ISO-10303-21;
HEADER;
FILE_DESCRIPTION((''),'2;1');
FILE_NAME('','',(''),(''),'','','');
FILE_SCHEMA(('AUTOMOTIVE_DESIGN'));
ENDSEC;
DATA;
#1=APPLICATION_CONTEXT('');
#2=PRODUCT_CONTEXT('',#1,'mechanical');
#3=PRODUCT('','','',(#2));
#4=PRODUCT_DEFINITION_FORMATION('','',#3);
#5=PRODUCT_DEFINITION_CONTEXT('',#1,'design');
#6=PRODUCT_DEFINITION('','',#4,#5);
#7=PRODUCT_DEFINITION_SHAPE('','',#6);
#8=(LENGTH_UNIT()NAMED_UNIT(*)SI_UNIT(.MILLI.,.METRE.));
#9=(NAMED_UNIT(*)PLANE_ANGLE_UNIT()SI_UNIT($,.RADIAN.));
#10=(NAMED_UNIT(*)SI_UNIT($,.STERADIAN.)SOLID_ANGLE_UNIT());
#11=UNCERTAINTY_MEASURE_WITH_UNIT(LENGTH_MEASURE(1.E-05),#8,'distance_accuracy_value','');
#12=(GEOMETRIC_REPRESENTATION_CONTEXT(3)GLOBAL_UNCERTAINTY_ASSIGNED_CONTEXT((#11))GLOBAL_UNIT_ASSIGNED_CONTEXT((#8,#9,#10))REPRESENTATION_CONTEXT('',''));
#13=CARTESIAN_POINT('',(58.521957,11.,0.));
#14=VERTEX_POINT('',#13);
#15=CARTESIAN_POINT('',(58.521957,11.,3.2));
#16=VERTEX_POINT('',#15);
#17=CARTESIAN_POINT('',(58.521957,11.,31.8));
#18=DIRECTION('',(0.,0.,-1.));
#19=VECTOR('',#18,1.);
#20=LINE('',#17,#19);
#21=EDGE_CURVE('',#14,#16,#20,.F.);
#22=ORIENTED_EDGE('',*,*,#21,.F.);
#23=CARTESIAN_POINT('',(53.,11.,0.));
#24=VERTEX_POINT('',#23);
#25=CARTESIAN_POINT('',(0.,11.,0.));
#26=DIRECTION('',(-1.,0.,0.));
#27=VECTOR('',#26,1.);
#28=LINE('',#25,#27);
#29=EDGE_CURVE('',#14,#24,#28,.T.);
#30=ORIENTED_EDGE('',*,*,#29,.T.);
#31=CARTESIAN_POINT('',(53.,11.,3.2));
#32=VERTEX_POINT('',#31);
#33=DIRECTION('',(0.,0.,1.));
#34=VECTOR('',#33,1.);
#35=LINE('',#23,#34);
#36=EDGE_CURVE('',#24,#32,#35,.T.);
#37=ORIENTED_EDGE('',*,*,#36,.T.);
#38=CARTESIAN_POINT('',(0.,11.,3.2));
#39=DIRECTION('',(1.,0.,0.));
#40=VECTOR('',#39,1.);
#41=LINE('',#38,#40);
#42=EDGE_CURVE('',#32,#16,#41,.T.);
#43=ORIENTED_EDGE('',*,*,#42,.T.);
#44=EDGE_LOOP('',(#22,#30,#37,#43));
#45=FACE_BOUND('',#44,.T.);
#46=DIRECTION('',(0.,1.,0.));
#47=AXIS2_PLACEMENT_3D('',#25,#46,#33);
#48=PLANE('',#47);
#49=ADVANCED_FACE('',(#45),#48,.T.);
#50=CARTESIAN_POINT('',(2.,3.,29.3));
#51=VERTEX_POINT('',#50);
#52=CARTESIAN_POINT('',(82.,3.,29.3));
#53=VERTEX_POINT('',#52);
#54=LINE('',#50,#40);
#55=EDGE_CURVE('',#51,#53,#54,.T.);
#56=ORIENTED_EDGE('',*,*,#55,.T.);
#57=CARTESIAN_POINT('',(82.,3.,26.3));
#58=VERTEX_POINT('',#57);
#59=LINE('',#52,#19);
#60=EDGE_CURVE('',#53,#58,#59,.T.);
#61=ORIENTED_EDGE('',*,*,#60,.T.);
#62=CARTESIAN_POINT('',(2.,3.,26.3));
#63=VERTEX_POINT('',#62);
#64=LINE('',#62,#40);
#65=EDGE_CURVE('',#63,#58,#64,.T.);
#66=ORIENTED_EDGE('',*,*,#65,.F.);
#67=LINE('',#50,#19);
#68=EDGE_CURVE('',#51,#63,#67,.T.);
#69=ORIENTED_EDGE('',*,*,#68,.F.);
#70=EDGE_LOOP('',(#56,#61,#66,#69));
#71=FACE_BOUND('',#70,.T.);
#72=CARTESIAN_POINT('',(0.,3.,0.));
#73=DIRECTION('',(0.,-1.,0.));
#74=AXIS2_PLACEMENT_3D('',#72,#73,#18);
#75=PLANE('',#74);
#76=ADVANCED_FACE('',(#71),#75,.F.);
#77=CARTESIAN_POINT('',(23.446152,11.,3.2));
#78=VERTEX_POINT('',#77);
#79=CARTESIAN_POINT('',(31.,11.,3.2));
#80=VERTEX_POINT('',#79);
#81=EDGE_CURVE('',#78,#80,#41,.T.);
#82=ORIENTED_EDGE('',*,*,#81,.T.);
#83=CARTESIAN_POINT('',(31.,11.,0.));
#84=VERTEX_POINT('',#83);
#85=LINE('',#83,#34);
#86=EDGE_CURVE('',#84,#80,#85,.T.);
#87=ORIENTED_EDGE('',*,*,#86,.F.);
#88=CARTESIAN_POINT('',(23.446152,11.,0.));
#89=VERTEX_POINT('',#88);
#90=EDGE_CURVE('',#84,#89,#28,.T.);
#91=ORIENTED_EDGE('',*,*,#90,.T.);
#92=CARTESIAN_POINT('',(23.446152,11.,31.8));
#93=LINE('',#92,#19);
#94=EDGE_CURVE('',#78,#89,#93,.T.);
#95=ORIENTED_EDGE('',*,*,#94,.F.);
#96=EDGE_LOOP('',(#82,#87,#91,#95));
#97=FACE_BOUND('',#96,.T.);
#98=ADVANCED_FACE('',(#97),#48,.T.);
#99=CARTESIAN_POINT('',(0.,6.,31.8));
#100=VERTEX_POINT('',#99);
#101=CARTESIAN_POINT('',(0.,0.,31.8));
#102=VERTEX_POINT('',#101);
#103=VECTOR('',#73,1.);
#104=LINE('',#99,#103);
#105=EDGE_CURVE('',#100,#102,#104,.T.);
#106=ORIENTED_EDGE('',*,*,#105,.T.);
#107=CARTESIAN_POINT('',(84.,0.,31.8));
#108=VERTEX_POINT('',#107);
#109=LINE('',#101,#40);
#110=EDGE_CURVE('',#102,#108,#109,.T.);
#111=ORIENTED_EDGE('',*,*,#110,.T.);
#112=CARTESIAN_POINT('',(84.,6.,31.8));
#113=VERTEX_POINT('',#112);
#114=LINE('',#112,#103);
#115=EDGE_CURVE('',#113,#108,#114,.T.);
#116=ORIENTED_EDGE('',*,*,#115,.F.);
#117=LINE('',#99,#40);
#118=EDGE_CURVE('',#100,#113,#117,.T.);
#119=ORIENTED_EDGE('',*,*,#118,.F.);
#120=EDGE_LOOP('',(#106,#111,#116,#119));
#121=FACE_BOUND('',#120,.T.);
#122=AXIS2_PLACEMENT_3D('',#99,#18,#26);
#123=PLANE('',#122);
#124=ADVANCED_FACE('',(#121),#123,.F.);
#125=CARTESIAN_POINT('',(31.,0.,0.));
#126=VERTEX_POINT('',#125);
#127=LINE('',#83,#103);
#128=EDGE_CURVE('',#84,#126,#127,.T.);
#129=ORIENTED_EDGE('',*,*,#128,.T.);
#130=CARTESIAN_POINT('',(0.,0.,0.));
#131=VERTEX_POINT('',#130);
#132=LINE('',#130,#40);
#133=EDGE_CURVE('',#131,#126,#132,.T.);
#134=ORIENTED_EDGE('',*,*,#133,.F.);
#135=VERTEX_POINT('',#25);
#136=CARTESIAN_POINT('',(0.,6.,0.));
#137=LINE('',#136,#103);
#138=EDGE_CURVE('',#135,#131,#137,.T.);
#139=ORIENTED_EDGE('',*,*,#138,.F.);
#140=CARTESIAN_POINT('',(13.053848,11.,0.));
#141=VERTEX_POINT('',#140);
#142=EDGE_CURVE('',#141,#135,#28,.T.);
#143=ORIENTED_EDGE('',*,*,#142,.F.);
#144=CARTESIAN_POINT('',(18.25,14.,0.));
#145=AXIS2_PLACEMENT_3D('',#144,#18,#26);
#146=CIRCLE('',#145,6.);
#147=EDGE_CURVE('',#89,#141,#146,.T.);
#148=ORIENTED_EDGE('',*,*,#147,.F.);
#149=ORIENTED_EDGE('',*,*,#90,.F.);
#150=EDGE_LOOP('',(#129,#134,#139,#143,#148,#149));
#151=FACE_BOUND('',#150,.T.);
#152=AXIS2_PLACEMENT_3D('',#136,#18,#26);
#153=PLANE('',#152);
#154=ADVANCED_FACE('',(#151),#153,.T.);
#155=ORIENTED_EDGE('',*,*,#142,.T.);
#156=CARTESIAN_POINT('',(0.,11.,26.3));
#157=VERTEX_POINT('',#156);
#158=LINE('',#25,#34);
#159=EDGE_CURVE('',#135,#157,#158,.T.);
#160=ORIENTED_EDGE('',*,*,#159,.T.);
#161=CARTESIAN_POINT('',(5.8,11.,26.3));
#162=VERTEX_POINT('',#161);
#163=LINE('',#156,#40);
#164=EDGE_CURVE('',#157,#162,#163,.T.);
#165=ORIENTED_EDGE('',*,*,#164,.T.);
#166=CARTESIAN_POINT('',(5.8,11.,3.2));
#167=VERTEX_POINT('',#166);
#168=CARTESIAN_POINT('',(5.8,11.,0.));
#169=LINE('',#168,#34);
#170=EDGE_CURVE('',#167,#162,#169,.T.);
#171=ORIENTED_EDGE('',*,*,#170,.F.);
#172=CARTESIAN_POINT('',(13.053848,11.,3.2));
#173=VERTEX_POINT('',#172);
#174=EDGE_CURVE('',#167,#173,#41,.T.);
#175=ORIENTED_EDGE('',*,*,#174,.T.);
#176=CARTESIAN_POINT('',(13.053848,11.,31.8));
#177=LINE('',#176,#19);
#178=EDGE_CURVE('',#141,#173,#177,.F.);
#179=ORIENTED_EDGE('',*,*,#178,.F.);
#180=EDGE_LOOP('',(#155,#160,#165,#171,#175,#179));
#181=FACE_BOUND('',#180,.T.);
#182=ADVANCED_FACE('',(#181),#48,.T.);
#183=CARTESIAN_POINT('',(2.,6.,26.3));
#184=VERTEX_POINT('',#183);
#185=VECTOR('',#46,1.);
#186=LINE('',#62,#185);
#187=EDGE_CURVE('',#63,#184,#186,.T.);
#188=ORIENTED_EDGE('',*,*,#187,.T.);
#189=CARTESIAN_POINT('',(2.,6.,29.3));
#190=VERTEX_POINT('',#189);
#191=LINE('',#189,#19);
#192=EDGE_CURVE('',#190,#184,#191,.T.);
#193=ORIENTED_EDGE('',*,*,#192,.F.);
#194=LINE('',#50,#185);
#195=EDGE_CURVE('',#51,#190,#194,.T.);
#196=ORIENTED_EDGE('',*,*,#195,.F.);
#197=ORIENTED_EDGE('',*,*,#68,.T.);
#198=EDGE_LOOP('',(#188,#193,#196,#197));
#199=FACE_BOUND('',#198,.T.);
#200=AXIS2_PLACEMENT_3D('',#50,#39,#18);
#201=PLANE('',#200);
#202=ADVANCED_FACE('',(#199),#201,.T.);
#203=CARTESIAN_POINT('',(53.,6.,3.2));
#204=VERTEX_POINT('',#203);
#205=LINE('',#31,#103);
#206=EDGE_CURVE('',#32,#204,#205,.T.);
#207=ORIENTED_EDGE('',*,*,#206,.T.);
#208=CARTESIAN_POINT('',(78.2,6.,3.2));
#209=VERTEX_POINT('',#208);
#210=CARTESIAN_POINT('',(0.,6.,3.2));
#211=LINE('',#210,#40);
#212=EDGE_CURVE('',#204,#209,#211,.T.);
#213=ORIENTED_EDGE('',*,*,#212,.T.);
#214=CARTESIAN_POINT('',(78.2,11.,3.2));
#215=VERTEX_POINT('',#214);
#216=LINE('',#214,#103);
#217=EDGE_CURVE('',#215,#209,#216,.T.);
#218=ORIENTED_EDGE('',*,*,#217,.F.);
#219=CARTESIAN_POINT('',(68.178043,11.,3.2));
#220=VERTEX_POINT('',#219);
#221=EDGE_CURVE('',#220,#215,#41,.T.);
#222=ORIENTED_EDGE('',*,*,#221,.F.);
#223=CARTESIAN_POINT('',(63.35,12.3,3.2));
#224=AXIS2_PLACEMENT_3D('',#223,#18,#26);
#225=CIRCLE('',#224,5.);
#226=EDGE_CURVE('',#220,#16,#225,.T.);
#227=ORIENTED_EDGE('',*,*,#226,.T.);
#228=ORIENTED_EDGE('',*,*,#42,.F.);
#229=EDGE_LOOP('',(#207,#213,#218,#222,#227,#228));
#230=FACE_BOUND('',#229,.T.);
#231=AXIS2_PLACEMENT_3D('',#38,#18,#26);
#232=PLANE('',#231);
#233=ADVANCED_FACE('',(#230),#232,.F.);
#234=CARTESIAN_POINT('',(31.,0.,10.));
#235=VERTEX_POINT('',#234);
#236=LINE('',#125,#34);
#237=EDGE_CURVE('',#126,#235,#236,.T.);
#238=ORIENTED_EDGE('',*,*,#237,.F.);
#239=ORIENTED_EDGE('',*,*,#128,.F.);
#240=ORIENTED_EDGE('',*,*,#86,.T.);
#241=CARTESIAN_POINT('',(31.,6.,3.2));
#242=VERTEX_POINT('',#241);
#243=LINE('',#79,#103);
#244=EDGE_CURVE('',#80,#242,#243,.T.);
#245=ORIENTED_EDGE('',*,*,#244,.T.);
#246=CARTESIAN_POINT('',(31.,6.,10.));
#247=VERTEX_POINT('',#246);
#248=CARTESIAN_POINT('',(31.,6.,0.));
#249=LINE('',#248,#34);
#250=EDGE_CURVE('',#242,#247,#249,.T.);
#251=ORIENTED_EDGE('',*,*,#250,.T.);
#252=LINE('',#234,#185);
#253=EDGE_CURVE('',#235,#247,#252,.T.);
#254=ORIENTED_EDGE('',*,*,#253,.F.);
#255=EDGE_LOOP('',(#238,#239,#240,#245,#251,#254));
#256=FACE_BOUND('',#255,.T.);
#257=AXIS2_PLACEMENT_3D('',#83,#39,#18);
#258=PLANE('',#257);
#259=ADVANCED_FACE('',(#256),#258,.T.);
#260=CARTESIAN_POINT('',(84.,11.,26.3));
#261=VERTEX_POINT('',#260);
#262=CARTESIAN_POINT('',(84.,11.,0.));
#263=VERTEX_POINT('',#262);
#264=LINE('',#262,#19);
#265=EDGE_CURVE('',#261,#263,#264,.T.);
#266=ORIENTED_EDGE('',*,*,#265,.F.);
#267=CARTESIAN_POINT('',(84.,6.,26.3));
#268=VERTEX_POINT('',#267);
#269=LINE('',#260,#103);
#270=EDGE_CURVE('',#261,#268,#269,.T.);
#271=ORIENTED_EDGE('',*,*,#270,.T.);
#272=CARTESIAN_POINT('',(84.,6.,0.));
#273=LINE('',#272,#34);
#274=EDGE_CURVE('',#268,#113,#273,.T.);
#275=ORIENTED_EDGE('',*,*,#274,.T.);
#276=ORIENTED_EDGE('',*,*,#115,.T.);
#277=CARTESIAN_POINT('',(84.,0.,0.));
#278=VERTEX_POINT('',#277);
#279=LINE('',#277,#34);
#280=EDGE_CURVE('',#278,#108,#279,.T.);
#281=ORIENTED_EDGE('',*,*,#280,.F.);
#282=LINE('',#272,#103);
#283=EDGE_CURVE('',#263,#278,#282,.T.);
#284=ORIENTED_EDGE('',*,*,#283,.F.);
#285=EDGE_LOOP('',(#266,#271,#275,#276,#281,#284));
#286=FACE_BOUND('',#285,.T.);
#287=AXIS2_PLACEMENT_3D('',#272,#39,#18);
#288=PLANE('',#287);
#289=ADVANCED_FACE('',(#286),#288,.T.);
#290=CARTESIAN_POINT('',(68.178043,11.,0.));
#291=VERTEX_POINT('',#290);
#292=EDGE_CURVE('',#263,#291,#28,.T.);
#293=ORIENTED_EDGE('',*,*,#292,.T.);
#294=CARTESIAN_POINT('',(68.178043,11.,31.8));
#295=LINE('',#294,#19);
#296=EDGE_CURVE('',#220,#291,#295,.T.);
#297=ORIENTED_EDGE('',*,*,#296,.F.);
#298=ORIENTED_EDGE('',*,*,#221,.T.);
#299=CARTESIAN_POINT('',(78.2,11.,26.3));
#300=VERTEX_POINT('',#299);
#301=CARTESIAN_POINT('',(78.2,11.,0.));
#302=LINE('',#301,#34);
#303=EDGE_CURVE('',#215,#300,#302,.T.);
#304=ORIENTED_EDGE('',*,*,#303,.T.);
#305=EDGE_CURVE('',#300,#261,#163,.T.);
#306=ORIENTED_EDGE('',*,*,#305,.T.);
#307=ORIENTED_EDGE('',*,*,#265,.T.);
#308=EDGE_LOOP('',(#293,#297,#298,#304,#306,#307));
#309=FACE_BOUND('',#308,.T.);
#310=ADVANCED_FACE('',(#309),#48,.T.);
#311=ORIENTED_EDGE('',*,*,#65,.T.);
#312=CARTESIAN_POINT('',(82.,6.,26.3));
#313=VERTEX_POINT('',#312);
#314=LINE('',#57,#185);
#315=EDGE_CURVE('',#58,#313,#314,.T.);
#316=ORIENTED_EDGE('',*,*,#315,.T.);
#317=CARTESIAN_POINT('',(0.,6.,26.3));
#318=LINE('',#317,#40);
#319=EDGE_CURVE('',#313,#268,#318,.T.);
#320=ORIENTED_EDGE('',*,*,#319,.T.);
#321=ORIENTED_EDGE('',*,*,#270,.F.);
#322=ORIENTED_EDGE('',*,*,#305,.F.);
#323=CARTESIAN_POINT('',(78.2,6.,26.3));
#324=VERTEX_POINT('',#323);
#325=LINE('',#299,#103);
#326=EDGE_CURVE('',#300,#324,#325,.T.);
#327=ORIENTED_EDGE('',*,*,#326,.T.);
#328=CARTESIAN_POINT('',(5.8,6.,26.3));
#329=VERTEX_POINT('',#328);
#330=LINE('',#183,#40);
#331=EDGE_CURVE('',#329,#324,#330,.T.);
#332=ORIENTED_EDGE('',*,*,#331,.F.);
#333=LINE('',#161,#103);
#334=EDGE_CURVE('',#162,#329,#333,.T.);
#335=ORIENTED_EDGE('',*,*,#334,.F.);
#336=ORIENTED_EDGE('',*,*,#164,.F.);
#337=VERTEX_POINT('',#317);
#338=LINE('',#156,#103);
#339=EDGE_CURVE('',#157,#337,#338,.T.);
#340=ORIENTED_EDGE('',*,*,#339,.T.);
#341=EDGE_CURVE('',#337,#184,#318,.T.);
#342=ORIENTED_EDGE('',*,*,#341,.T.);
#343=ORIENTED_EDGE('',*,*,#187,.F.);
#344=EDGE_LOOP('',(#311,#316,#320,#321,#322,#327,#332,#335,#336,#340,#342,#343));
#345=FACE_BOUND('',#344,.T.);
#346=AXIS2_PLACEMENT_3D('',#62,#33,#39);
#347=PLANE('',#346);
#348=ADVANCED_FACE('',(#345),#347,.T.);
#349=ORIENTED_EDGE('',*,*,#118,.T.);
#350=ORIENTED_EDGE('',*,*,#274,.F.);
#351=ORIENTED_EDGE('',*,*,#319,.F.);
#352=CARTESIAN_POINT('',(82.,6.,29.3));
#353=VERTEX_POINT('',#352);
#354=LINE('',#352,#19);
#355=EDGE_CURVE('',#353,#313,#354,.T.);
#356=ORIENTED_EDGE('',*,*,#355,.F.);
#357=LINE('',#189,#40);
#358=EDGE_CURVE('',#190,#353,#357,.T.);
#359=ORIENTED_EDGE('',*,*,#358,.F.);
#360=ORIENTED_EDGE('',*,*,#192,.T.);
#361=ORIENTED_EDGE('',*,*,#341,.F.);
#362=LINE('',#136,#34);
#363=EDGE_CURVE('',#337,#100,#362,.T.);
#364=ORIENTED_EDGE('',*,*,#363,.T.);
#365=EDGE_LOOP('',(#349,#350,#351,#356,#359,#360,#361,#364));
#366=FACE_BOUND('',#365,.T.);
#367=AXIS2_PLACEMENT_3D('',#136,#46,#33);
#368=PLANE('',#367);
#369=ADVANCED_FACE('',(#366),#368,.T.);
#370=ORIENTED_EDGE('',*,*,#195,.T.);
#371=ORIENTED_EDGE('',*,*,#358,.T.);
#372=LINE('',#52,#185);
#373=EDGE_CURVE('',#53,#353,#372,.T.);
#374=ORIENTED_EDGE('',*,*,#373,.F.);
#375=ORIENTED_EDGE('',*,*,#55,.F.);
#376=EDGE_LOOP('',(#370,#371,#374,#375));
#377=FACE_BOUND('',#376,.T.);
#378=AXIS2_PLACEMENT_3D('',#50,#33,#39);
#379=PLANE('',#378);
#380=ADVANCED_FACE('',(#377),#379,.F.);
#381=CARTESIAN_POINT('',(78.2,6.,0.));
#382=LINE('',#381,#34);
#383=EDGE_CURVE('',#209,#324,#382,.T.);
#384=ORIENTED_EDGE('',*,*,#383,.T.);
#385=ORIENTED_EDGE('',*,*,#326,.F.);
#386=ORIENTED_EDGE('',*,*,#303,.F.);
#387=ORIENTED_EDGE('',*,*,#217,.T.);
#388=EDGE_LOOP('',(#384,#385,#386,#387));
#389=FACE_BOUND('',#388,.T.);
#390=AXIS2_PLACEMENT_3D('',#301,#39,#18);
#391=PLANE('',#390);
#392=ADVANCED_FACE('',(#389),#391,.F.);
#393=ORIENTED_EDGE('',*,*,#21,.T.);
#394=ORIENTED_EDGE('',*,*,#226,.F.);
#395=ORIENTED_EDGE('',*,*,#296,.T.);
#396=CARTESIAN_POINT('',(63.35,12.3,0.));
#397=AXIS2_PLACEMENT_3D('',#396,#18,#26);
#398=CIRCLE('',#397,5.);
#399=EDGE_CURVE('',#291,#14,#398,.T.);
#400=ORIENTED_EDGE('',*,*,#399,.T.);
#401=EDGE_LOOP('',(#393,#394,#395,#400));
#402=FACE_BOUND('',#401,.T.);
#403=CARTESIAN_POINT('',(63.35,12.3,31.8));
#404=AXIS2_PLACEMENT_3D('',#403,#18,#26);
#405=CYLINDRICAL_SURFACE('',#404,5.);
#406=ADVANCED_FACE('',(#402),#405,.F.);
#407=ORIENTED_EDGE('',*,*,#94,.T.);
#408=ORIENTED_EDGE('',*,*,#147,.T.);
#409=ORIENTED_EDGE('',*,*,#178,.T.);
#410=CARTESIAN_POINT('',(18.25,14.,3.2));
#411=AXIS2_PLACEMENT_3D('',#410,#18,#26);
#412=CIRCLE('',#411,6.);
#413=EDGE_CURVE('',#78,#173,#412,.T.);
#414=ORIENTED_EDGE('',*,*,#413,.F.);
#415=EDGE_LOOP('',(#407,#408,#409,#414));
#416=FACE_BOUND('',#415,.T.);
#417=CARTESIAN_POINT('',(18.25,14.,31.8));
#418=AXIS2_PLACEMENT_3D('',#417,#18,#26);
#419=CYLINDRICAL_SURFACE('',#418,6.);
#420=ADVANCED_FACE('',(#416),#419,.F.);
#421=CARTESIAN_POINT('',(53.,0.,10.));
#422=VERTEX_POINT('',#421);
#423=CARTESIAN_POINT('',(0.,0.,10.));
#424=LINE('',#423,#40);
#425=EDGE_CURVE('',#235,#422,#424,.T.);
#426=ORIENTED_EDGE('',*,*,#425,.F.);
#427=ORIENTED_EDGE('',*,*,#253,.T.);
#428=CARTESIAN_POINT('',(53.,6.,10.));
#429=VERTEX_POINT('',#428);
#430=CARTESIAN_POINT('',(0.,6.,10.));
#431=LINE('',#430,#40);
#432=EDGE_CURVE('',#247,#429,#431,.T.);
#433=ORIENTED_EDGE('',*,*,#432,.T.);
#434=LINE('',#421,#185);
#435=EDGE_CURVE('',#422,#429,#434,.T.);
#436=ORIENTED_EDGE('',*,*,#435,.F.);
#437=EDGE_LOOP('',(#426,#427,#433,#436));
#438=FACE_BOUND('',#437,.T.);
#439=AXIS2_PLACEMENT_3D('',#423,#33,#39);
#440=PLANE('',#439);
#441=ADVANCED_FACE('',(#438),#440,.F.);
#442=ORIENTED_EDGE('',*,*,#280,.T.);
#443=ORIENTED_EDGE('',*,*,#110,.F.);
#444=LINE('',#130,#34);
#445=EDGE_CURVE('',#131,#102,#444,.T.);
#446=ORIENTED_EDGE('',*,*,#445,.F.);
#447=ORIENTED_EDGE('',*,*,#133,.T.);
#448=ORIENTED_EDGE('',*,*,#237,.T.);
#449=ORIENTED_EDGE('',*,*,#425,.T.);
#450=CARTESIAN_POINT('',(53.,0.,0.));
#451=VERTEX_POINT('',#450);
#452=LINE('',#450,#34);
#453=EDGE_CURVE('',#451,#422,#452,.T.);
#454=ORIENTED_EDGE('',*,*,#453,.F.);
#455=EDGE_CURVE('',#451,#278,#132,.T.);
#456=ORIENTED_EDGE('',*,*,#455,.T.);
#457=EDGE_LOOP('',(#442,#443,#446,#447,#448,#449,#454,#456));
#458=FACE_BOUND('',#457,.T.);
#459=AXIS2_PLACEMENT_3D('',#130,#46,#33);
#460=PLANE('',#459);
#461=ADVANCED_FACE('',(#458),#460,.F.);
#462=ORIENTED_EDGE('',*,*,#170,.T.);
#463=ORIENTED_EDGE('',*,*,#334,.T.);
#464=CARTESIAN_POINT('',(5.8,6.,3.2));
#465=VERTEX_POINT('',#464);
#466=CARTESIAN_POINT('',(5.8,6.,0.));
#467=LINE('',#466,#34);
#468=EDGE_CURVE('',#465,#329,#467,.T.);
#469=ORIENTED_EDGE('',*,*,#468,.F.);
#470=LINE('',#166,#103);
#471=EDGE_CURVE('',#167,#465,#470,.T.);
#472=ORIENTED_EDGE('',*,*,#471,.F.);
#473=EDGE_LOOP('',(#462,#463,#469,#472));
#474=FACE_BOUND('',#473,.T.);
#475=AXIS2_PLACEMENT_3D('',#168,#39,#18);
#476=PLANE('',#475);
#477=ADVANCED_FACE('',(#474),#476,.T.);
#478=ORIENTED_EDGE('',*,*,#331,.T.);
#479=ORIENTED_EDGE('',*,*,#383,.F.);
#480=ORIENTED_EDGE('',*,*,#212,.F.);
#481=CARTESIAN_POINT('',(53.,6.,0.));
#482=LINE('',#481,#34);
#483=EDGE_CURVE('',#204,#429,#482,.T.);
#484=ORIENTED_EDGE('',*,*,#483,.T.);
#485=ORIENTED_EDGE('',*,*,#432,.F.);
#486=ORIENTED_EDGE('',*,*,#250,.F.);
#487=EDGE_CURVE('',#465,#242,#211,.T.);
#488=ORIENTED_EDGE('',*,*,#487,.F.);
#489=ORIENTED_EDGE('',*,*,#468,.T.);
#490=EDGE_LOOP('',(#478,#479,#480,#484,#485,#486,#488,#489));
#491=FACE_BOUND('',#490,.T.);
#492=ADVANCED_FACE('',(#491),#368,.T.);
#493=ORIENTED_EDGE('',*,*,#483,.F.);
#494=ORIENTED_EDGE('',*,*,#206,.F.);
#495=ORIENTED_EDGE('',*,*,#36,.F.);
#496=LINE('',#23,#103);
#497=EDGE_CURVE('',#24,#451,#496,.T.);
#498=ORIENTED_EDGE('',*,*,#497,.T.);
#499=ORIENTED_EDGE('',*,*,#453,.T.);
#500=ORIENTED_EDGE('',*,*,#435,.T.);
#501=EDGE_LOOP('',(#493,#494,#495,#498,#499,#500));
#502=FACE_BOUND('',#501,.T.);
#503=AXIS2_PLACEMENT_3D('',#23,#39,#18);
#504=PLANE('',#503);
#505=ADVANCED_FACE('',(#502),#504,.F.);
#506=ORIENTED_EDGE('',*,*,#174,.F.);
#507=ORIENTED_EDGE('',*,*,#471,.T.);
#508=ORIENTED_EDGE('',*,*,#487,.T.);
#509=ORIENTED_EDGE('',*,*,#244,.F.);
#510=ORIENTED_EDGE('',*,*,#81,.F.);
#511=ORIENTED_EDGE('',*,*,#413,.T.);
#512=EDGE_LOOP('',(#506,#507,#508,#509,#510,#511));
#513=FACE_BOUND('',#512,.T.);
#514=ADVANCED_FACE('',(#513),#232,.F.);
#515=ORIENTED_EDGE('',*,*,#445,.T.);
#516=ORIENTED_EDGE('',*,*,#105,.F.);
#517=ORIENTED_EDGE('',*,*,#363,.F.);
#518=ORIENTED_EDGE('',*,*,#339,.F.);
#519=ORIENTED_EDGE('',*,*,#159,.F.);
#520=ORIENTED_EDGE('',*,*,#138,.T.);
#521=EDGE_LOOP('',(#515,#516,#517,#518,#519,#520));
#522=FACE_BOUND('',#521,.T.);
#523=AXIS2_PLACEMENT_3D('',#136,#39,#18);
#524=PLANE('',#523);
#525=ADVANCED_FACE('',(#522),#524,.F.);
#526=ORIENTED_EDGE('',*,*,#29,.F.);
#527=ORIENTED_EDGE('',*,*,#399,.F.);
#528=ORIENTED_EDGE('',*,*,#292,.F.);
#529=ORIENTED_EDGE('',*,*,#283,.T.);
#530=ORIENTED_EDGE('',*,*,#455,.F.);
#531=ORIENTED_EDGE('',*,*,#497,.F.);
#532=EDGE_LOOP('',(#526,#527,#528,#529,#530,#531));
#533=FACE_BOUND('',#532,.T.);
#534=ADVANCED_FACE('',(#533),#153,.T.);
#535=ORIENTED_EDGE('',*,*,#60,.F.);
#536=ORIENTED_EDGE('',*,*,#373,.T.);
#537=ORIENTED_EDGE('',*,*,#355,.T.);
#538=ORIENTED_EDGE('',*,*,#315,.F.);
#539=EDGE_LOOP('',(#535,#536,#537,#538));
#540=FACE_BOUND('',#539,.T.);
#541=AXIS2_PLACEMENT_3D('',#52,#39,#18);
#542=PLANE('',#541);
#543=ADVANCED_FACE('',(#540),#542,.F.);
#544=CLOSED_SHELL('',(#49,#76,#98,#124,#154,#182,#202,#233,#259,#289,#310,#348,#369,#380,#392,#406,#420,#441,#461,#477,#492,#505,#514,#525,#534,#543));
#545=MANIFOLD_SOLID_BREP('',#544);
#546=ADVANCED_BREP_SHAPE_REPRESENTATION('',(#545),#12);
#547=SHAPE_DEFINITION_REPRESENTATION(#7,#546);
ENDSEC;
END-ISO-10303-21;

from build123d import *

# Parameters (mm, degrees)
SKETCH_1_W          = 84
SKETCH_1_H          = 31.8
EXTRUDE_1_DEPTH     = 6
SKETCH_2_W          = 80
SKETCH_2_H          = 3
CUT_EXTRUDE_1_DEPTH = 3
EXTRUDE_2_DEPTH     = 5
SKETCH_4_R          = 5
SKETCH_4_R_2        = 6
CUT_EXTRUDE_2_DEPTH = 91.488894346
SKETCH_3_3_W        = 22
SKETCH_3_3_H        = 10
CUT_EXTRUDE_3_DEPTH = 91.0179982


with BuildPart() as part:
    # 草图1 → 凸台-拉伸1 (new body)
    with BuildSketch(Plane(origin=(0, 0, 0), x_dir=(1, 0, 0), z_dir=(0, 1, 0))):
        with Locations((42, -15.9)):
            Rectangle(SKETCH_1_W, SKETCH_1_H)
    extrude(amount=EXTRUDE_1_DEPTH)

    # 草图2 → 切除-拉伸1 (cut)
    with BuildSketch(Plane(origin=(0, 6, 0), x_dir=(1, 0, 0), z_dir=(0, 1, 0))):
        with Locations((42, -27.8)):
            Rectangle(SKETCH_2_W, SKETCH_2_H)
    extrude(amount=-CUT_EXTRUDE_1_DEPTH, mode=Mode.SUBTRACT)

    # 草图3 → 凸台-拉伸2 (add)
    with BuildSketch(Plane(origin=(0, 6, 0), x_dir=(1, 0, 0), z_dir=(0, 1, 0))):
        Polygon((31, 0), (0, 0), (0, -26.3), (5.8, -26.3), (5.8, -3.2), (31, -3.2), align=None)
        Polygon((84, 0), (53, 0), (53, -3.2), (78.2, -3.2), (78.2, -26.3), (84, -26.3), align=None)
    extrude(amount=EXTRUDE_2_DEPTH)

    # 草图4 → 切除-拉伸2 (cut, through all)
    with BuildSketch(Plane(origin=(0, 0, 0), x_dir=(-1, 0, 0), z_dir=(0, 0, -1))):
        with Locations((-63.35, 12.3)):
            Circle(SKETCH_4_R)
        with Locations((-18.25, 14)):
            Circle(SKETCH_4_R_2)
    extrude(amount=-CUT_EXTRUDE_2_DEPTH, mode=Mode.SUBTRACT)

    # 草图3<3> → 切除-拉伸3 (cut, through all)
    with BuildSketch(Plane(origin=(0, 6, 0), x_dir=(1, 0, 0), z_dir=(0, 1, 0))):
        with Locations((42, -5)):
            Rectangle(SKETCH_3_3_W, SKETCH_3_3_H)
    extrude(amount=-CUT_EXTRUDE_3_DEPTH, mode=Mode.SUBTRACT)


solid = part.part
